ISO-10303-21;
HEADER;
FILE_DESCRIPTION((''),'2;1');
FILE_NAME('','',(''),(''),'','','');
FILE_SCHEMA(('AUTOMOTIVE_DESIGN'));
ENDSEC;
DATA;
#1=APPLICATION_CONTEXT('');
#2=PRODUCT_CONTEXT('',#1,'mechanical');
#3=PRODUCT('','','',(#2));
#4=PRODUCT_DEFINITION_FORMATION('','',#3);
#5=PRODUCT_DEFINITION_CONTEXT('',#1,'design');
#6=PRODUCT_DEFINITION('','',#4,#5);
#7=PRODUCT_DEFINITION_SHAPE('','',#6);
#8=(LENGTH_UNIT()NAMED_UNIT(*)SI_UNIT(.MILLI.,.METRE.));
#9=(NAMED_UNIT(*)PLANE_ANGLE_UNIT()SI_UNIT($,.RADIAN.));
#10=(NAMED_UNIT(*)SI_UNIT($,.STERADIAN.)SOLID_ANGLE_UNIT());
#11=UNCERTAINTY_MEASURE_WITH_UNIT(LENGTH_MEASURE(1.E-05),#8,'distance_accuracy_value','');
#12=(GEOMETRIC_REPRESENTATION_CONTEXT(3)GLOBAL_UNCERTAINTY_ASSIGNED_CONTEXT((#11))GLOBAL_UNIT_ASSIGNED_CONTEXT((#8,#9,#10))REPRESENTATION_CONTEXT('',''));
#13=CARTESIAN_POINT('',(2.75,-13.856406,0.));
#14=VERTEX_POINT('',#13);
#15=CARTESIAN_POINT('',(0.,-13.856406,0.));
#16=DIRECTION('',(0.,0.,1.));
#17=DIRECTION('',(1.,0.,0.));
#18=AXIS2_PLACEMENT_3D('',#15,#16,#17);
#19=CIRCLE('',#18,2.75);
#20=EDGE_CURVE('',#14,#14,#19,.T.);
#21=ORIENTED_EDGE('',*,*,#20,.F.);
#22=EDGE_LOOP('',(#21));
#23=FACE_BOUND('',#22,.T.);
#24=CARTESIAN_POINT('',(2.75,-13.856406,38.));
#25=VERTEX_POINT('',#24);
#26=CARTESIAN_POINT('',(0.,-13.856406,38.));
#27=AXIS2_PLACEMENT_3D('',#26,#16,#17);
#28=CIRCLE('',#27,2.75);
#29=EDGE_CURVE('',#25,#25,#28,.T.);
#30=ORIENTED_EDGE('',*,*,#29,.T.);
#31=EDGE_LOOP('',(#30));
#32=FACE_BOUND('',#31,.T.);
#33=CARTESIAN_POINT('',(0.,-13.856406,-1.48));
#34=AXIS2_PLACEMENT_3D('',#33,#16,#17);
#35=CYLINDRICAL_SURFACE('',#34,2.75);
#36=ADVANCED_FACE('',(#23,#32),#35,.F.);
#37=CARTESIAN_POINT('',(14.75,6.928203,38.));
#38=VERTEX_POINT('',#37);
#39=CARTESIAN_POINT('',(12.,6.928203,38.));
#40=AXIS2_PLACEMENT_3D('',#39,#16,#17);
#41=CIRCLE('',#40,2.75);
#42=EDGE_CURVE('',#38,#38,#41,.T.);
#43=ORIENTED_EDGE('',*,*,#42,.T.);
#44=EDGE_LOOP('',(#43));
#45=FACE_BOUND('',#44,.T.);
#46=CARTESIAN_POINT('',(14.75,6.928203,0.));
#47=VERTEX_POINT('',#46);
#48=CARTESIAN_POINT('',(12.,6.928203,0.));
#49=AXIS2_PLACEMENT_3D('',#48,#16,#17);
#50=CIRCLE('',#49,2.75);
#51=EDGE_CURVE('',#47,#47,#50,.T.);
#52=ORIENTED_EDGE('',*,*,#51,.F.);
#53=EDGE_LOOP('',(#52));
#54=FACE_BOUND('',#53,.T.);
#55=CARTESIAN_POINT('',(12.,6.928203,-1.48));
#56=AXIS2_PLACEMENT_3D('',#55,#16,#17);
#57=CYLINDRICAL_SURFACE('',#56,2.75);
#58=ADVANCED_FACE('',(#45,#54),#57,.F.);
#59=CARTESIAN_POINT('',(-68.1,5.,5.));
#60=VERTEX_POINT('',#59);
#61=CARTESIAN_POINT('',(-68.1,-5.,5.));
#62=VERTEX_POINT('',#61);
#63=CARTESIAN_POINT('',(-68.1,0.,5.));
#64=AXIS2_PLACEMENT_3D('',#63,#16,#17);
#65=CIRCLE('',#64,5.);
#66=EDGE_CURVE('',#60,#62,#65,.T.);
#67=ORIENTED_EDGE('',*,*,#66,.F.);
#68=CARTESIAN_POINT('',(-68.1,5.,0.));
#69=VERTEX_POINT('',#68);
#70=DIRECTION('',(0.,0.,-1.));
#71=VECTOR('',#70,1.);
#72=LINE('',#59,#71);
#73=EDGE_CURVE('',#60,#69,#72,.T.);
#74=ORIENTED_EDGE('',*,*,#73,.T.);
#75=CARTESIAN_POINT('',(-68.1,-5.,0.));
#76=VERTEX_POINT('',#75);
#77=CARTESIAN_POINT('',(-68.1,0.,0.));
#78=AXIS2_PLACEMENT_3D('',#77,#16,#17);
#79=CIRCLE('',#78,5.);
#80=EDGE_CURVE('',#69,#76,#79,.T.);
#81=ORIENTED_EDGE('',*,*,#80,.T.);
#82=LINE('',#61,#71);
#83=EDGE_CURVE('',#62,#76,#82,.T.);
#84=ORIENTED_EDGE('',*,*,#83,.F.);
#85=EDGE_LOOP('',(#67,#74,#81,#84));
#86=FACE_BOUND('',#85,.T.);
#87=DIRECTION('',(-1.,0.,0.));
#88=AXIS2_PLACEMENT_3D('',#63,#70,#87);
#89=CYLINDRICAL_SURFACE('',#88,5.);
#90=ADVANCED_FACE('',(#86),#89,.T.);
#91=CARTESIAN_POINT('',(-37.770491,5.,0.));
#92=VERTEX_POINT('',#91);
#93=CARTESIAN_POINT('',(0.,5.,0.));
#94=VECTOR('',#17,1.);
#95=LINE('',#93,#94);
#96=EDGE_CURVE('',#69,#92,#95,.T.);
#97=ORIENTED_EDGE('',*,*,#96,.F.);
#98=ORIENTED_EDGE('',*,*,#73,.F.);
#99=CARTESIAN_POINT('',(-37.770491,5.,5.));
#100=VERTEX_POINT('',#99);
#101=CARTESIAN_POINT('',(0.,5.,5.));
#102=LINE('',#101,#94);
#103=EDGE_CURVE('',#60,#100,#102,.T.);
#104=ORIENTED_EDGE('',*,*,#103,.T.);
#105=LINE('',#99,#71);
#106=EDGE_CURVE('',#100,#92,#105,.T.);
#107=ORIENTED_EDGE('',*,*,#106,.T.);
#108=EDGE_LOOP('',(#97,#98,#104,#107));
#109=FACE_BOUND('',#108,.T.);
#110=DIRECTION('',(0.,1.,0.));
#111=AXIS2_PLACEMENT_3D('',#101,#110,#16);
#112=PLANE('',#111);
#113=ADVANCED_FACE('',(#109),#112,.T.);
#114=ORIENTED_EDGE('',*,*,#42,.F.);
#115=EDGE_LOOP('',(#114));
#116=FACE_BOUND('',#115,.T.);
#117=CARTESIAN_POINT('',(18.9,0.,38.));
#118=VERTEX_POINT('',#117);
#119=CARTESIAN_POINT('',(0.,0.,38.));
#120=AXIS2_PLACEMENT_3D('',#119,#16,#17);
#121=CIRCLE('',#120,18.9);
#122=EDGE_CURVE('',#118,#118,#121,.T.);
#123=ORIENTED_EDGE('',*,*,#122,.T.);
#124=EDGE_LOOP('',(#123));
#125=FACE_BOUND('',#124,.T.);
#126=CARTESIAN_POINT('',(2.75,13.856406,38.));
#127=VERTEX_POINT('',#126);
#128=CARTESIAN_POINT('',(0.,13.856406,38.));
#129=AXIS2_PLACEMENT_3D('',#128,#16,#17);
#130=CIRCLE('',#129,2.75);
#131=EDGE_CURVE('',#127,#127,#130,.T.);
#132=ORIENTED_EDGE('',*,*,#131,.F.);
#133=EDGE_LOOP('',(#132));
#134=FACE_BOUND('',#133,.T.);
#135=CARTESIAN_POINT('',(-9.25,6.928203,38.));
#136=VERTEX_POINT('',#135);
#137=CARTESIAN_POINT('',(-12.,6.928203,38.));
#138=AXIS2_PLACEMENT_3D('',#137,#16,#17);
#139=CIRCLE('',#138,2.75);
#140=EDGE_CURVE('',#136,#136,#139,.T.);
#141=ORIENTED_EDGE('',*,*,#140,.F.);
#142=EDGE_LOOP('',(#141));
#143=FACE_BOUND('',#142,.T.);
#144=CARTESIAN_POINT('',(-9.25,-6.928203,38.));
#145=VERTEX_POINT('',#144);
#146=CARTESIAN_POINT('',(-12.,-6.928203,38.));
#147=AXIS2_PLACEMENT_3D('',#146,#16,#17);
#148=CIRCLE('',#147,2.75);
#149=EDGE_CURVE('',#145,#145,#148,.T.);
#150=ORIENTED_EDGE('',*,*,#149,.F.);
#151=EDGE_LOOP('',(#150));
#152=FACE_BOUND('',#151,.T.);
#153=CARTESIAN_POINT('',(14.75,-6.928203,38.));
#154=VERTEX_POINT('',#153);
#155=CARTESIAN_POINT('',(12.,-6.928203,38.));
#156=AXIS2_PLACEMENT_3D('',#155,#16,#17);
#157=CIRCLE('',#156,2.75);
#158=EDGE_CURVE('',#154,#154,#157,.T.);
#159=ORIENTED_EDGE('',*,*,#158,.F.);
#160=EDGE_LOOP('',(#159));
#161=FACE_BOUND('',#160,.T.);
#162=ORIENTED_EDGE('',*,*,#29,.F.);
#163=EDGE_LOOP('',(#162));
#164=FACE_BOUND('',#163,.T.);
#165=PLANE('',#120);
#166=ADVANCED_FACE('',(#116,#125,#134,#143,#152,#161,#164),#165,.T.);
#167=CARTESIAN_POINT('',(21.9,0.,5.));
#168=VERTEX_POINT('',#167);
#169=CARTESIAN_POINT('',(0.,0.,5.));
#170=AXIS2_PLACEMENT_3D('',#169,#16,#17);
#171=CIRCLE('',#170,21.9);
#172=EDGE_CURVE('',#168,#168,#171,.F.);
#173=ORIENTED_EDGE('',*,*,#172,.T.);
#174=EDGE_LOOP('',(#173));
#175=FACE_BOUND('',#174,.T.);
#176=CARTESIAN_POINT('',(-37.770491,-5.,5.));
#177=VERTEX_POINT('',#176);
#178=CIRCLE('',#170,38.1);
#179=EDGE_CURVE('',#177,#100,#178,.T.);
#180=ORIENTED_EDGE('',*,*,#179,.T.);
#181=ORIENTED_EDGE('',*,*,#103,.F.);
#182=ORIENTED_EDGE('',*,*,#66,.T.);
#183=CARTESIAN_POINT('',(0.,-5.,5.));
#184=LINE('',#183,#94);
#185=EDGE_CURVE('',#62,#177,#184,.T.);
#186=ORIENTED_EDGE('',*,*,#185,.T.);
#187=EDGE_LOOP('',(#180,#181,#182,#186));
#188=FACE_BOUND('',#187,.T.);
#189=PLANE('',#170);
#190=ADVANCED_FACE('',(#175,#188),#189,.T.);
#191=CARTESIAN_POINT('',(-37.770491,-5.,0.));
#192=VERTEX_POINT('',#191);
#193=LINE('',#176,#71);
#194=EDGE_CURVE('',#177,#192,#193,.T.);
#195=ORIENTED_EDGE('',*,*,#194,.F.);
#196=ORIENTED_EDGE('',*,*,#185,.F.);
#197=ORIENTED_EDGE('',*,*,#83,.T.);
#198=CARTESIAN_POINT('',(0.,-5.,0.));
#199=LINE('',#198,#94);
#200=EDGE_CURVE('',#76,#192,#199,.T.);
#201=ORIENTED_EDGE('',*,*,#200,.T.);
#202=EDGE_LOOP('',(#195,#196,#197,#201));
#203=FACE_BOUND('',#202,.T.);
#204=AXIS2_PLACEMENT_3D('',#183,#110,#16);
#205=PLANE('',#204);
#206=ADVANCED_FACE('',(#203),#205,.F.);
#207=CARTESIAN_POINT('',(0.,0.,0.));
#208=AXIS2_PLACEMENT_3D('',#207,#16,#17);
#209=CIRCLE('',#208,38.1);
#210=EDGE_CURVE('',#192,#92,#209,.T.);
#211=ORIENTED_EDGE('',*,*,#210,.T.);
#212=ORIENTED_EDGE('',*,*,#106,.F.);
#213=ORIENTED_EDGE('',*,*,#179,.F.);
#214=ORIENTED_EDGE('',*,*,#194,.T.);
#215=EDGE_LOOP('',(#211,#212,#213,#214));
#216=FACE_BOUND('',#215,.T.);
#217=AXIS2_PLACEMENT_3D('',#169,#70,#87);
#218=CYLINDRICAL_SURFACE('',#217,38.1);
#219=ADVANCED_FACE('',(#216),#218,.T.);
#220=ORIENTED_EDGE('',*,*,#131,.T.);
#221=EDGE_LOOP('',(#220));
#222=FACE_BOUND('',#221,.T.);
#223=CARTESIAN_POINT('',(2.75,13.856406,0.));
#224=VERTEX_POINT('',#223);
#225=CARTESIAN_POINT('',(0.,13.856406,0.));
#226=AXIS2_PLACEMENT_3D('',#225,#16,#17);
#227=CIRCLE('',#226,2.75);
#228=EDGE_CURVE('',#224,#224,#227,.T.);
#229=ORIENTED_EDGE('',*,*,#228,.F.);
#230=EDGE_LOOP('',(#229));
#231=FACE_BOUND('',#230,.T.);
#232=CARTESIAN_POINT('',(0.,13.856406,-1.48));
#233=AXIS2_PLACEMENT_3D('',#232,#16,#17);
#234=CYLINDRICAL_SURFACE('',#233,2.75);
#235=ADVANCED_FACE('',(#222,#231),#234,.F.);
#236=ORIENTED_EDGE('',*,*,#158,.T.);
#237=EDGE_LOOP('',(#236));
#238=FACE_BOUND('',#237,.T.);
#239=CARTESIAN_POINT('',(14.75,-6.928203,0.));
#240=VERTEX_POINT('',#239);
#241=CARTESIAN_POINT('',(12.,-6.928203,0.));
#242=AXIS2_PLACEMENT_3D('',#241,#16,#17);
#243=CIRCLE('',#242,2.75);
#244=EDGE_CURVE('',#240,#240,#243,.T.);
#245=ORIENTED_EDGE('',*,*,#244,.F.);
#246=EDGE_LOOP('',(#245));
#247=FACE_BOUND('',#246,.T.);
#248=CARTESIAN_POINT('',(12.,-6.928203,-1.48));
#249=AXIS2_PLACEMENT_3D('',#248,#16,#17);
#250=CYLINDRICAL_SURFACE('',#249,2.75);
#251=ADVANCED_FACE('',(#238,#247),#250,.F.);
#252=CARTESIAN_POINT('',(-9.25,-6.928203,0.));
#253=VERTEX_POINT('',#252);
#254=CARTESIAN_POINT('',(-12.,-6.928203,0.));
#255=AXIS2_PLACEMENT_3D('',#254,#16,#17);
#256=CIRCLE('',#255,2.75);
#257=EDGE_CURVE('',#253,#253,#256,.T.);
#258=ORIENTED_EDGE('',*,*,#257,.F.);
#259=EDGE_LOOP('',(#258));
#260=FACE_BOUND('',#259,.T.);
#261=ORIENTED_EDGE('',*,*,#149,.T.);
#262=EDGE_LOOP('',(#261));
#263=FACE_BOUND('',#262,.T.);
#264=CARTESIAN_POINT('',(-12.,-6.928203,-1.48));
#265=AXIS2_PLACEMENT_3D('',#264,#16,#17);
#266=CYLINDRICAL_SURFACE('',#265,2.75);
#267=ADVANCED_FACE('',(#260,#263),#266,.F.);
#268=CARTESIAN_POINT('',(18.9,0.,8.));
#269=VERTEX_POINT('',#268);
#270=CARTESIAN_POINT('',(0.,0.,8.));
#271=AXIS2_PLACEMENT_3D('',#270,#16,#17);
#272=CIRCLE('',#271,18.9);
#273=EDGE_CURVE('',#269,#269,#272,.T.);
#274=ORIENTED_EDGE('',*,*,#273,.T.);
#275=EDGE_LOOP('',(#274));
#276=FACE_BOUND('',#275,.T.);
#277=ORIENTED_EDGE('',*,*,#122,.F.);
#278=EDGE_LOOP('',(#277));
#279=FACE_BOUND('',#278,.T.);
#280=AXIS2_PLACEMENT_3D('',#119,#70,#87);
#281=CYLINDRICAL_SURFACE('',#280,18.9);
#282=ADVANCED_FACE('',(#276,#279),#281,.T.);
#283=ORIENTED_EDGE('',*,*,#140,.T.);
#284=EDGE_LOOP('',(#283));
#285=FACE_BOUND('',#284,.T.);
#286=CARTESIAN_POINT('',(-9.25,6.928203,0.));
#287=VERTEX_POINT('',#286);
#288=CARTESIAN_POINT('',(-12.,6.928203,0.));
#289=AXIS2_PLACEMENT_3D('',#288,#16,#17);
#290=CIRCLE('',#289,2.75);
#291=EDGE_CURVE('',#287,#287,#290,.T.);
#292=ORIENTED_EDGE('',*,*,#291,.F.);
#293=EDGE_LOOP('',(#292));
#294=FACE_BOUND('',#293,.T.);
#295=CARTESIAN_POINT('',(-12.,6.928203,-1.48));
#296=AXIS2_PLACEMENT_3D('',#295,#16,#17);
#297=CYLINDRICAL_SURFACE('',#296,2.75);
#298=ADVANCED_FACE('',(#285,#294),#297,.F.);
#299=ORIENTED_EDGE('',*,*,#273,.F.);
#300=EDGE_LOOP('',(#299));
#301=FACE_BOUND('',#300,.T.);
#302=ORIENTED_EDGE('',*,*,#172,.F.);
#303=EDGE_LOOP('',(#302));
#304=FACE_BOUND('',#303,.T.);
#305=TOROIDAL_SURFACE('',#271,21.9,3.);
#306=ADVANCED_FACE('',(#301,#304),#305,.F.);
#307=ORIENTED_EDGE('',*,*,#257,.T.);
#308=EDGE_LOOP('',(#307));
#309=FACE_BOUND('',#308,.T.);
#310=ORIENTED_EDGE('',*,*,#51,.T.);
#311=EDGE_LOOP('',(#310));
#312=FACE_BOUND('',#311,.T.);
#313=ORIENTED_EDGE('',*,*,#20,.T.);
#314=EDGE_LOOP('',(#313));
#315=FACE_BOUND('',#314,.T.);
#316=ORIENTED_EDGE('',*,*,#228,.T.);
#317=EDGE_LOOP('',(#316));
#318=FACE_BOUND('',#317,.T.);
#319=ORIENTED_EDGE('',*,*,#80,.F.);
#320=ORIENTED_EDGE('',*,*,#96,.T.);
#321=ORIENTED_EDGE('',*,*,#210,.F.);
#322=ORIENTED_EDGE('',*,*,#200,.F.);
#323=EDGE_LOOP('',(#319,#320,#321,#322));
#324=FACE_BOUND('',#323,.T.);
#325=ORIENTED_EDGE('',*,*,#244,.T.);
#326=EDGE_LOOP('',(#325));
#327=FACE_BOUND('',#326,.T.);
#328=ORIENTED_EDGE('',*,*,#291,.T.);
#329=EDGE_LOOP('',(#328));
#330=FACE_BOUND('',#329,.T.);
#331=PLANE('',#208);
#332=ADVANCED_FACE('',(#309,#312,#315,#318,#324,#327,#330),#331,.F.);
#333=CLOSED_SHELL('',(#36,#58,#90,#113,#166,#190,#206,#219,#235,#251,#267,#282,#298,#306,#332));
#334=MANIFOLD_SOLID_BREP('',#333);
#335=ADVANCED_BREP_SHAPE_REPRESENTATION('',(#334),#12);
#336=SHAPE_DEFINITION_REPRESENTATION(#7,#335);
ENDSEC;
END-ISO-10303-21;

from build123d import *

# Parameters (mm, degrees)
SKETCH4_R           = 38.1
BOSS_EXTRUDE3_DEPTH = 5
SKETCH5_R           = 18.9
BOSS_EXTRUDE4_DEPTH = 33
FILLET4_R           = 3
CUT_EXTRUDE4_DEPTH  = 39.48


with BuildPart() as part:
    # Sketch4 → Boss-Extrude3 (new body)
    with BuildSketch(Plane.XY):
        Circle(SKETCH4_R)
        with BuildLine():
            Line((-68.1, 0), (-38.1, 0))
            ThreePointArc((-38.1, 0), (-38.017533534, 2.505422923), (-37.770491127, 5))
            Line((-37.770491127, 5), (-68.1, 5))
            Line((-68.1, 5), (-68.1, 0))
        make_face()
        with BuildLine():
            ThreePointArc((-37.770491127, -5), (-38.017533534, -2.505422923), (-38.1, 0))
            Line((-38.1, 0), (-68.1, 0))
            Line((-68.1, 0), (-68.1, -5))
            Line((-68.1, -5), (-37.770491127, -5))
        make_face()
        with BuildLine():
            Line((-68.1, 0), (-68.1, 5))
            ThreePointArc((-68.1, 5), (-73.1, 0), (-68.1, -5))
            Line((-68.1, -5), (-68.1, 0))
        make_face()
    extrude(amount=BOSS_EXTRUDE3_DEPTH)

    # Sketch5 → Boss-Extrude4 (add)
    with BuildSketch(Plane.XY.offset(5)):
        Circle(SKETCH5_R)
    extrude(amount=BOSS_EXTRUDE4_DEPTH)

    # Fillet4
    fillet4_edges = [part.edges().sort_by_distance(p)[0] for p in [
        (-18.9, 0, 5),
    ]]
    fillet(fillet4_edges, radius=FILLET4_R)

    # Sketch6 → Cut-Extrude4 (cut)
    with BuildSketch(Plane.XY.offset(38)):
        with BuildLine():
            Line((2.38156986, 12.481406461), (0, 13.856406461))
            Line((0, 13.856406461), (-2.38156986, 12.481406461))
            ThreePointArc((-2.38156986, 12.481406461), (0, 11.106406461), (2.38156986, 12.481406461))
        make_face()
        with BuildLine():
            Line((-2.38156986, 12.481406461), (0, 13.856406461))
            Line((0, 13.856406461), (2.38156986, 12.481406461))
            ThreePointArc((2.38156986, 12.481406461), (2.656296022, 13.144654087), (2.75, 13.856406461))
            ThreePointArc((2.75, 13.856406461), (-0.711752374, 16.512702483), (-2.38156986, 12.481406461))
        make_face()
        with BuildLine():
            ThreePointArc((14.75, 6.92820323), (12.711752374, 9.584499253), (9.61843014, 8.30320323))
            Line((9.61843014, 8.30320323), (12, 6.92820323))
            Line((12, 6.92820323), (12, 4.17820323))
            ThreePointArc((12, 4.17820323), (13.944543648, 4.983659582), (14.75, 6.92820323))
        make_face()
        with BuildLine():
            Line((12, 6.92820323), (9.61843014, 8.30320323))
            ThreePointArc((9.61843014, 8.30320323), (9.61843014, 5.55320323), (12, 4.17820323))
            Line((12, 4.17820323), (12, 6.92820323))
        make_face()
        with BuildLine():
            ThreePointArc((14.75, -6.92820323), (13.944543648, -4.983659582), (12, -4.17820323))
            Line((12, -4.17820323), (12, -6.92820323))
            Line((12, -6.92820323), (9.61843014, -8.30320323))
            ThreePointArc((9.61843014, -8.30320323), (12.711752374, -9.584499253), (14.75, -6.92820323))
        make_face()
        with BuildLine():
            Line((12, -6.92820323), (12, -4.17820323))
            ThreePointArc((12, -4.17820323), (9.61843014, -5.55320323), (9.61843014, -8.30320323))
            Line((9.61843014, -8.30320323), (12, -6.92820323))
        make_face()
        with BuildLine():
            ThreePointArc((-9.25, 6.92820323), (-9.343703978, 7.639955604), (-9.61843014, 8.30320323))
            Line((-9.61843014, 8.30320323), (-12, 6.92820323))
            Line((-12, 6.92820323), (-12, 4.17820323))
            ThreePointArc((-12, 4.17820323), (-10.055456352, 4.983659582), (-9.25, 6.92820323))
        make_face()
        with BuildLine():
            Line((-12, 6.92820323), (-9.61843014, 8.30320323))
            ThreePointArc((-9.61843014, 8.30320323), (-14.38156986, 8.30320323), (-12, 4.17820323))
            Line((-12, 4.17820323), (-12, 6.92820323))
        make_face()
        with BuildLine():
            ThreePointArc((-9.25, -6.92820323), (-10.055456352, -4.983659582), (-12, -4.17820323))
            Line((-12, -4.17820323), (-12, -6.92820323))
            Line((-12, -6.92820323), (-9.61843014, -8.30320323))
            ThreePointArc((-9.61843014, -8.30320323), (-9.343703978, -7.639955604), (-9.25, -6.92820323))
        make_face()
        with BuildLine():
            Line((-12, -6.92820323), (-12, -4.17820323))
            ThreePointArc((-12, -4.17820323), (-14.38156986, -8.30320323), (-9.61843014, -8.30320323))
            Line((-9.61843014, -8.30320323), (-12, -6.92820323))
        make_face()
        with BuildLine():
            ThreePointArc((2.38156986, -12.481406461), (0, -11.106406461), (-2.38156986, -12.481406461))
            Line((-2.38156986, -12.481406461), (0, -13.856406461))
            Line((0, -13.856406461), (2.38156986, -12.481406461))
        make_face()
        with BuildLine():
            Line((0, -13.856406461), (-2.38156986, -12.481406461))
            ThreePointArc((-2.38156986, -12.481406461), (-0.711752374, -16.512702483), (2.75, -13.856406461))
            ThreePointArc((2.75, -13.856406461), (2.656296022, -13.144654087), (2.38156986, -12.481406461))
            Line((2.38156986, -12.481406461), (0, -13.856406461))
        make_face()
    extrude(amount=-CUT_EXTRUDE4_DEPTH, mode=Mode.SUBTRACT)


solid = part.part
